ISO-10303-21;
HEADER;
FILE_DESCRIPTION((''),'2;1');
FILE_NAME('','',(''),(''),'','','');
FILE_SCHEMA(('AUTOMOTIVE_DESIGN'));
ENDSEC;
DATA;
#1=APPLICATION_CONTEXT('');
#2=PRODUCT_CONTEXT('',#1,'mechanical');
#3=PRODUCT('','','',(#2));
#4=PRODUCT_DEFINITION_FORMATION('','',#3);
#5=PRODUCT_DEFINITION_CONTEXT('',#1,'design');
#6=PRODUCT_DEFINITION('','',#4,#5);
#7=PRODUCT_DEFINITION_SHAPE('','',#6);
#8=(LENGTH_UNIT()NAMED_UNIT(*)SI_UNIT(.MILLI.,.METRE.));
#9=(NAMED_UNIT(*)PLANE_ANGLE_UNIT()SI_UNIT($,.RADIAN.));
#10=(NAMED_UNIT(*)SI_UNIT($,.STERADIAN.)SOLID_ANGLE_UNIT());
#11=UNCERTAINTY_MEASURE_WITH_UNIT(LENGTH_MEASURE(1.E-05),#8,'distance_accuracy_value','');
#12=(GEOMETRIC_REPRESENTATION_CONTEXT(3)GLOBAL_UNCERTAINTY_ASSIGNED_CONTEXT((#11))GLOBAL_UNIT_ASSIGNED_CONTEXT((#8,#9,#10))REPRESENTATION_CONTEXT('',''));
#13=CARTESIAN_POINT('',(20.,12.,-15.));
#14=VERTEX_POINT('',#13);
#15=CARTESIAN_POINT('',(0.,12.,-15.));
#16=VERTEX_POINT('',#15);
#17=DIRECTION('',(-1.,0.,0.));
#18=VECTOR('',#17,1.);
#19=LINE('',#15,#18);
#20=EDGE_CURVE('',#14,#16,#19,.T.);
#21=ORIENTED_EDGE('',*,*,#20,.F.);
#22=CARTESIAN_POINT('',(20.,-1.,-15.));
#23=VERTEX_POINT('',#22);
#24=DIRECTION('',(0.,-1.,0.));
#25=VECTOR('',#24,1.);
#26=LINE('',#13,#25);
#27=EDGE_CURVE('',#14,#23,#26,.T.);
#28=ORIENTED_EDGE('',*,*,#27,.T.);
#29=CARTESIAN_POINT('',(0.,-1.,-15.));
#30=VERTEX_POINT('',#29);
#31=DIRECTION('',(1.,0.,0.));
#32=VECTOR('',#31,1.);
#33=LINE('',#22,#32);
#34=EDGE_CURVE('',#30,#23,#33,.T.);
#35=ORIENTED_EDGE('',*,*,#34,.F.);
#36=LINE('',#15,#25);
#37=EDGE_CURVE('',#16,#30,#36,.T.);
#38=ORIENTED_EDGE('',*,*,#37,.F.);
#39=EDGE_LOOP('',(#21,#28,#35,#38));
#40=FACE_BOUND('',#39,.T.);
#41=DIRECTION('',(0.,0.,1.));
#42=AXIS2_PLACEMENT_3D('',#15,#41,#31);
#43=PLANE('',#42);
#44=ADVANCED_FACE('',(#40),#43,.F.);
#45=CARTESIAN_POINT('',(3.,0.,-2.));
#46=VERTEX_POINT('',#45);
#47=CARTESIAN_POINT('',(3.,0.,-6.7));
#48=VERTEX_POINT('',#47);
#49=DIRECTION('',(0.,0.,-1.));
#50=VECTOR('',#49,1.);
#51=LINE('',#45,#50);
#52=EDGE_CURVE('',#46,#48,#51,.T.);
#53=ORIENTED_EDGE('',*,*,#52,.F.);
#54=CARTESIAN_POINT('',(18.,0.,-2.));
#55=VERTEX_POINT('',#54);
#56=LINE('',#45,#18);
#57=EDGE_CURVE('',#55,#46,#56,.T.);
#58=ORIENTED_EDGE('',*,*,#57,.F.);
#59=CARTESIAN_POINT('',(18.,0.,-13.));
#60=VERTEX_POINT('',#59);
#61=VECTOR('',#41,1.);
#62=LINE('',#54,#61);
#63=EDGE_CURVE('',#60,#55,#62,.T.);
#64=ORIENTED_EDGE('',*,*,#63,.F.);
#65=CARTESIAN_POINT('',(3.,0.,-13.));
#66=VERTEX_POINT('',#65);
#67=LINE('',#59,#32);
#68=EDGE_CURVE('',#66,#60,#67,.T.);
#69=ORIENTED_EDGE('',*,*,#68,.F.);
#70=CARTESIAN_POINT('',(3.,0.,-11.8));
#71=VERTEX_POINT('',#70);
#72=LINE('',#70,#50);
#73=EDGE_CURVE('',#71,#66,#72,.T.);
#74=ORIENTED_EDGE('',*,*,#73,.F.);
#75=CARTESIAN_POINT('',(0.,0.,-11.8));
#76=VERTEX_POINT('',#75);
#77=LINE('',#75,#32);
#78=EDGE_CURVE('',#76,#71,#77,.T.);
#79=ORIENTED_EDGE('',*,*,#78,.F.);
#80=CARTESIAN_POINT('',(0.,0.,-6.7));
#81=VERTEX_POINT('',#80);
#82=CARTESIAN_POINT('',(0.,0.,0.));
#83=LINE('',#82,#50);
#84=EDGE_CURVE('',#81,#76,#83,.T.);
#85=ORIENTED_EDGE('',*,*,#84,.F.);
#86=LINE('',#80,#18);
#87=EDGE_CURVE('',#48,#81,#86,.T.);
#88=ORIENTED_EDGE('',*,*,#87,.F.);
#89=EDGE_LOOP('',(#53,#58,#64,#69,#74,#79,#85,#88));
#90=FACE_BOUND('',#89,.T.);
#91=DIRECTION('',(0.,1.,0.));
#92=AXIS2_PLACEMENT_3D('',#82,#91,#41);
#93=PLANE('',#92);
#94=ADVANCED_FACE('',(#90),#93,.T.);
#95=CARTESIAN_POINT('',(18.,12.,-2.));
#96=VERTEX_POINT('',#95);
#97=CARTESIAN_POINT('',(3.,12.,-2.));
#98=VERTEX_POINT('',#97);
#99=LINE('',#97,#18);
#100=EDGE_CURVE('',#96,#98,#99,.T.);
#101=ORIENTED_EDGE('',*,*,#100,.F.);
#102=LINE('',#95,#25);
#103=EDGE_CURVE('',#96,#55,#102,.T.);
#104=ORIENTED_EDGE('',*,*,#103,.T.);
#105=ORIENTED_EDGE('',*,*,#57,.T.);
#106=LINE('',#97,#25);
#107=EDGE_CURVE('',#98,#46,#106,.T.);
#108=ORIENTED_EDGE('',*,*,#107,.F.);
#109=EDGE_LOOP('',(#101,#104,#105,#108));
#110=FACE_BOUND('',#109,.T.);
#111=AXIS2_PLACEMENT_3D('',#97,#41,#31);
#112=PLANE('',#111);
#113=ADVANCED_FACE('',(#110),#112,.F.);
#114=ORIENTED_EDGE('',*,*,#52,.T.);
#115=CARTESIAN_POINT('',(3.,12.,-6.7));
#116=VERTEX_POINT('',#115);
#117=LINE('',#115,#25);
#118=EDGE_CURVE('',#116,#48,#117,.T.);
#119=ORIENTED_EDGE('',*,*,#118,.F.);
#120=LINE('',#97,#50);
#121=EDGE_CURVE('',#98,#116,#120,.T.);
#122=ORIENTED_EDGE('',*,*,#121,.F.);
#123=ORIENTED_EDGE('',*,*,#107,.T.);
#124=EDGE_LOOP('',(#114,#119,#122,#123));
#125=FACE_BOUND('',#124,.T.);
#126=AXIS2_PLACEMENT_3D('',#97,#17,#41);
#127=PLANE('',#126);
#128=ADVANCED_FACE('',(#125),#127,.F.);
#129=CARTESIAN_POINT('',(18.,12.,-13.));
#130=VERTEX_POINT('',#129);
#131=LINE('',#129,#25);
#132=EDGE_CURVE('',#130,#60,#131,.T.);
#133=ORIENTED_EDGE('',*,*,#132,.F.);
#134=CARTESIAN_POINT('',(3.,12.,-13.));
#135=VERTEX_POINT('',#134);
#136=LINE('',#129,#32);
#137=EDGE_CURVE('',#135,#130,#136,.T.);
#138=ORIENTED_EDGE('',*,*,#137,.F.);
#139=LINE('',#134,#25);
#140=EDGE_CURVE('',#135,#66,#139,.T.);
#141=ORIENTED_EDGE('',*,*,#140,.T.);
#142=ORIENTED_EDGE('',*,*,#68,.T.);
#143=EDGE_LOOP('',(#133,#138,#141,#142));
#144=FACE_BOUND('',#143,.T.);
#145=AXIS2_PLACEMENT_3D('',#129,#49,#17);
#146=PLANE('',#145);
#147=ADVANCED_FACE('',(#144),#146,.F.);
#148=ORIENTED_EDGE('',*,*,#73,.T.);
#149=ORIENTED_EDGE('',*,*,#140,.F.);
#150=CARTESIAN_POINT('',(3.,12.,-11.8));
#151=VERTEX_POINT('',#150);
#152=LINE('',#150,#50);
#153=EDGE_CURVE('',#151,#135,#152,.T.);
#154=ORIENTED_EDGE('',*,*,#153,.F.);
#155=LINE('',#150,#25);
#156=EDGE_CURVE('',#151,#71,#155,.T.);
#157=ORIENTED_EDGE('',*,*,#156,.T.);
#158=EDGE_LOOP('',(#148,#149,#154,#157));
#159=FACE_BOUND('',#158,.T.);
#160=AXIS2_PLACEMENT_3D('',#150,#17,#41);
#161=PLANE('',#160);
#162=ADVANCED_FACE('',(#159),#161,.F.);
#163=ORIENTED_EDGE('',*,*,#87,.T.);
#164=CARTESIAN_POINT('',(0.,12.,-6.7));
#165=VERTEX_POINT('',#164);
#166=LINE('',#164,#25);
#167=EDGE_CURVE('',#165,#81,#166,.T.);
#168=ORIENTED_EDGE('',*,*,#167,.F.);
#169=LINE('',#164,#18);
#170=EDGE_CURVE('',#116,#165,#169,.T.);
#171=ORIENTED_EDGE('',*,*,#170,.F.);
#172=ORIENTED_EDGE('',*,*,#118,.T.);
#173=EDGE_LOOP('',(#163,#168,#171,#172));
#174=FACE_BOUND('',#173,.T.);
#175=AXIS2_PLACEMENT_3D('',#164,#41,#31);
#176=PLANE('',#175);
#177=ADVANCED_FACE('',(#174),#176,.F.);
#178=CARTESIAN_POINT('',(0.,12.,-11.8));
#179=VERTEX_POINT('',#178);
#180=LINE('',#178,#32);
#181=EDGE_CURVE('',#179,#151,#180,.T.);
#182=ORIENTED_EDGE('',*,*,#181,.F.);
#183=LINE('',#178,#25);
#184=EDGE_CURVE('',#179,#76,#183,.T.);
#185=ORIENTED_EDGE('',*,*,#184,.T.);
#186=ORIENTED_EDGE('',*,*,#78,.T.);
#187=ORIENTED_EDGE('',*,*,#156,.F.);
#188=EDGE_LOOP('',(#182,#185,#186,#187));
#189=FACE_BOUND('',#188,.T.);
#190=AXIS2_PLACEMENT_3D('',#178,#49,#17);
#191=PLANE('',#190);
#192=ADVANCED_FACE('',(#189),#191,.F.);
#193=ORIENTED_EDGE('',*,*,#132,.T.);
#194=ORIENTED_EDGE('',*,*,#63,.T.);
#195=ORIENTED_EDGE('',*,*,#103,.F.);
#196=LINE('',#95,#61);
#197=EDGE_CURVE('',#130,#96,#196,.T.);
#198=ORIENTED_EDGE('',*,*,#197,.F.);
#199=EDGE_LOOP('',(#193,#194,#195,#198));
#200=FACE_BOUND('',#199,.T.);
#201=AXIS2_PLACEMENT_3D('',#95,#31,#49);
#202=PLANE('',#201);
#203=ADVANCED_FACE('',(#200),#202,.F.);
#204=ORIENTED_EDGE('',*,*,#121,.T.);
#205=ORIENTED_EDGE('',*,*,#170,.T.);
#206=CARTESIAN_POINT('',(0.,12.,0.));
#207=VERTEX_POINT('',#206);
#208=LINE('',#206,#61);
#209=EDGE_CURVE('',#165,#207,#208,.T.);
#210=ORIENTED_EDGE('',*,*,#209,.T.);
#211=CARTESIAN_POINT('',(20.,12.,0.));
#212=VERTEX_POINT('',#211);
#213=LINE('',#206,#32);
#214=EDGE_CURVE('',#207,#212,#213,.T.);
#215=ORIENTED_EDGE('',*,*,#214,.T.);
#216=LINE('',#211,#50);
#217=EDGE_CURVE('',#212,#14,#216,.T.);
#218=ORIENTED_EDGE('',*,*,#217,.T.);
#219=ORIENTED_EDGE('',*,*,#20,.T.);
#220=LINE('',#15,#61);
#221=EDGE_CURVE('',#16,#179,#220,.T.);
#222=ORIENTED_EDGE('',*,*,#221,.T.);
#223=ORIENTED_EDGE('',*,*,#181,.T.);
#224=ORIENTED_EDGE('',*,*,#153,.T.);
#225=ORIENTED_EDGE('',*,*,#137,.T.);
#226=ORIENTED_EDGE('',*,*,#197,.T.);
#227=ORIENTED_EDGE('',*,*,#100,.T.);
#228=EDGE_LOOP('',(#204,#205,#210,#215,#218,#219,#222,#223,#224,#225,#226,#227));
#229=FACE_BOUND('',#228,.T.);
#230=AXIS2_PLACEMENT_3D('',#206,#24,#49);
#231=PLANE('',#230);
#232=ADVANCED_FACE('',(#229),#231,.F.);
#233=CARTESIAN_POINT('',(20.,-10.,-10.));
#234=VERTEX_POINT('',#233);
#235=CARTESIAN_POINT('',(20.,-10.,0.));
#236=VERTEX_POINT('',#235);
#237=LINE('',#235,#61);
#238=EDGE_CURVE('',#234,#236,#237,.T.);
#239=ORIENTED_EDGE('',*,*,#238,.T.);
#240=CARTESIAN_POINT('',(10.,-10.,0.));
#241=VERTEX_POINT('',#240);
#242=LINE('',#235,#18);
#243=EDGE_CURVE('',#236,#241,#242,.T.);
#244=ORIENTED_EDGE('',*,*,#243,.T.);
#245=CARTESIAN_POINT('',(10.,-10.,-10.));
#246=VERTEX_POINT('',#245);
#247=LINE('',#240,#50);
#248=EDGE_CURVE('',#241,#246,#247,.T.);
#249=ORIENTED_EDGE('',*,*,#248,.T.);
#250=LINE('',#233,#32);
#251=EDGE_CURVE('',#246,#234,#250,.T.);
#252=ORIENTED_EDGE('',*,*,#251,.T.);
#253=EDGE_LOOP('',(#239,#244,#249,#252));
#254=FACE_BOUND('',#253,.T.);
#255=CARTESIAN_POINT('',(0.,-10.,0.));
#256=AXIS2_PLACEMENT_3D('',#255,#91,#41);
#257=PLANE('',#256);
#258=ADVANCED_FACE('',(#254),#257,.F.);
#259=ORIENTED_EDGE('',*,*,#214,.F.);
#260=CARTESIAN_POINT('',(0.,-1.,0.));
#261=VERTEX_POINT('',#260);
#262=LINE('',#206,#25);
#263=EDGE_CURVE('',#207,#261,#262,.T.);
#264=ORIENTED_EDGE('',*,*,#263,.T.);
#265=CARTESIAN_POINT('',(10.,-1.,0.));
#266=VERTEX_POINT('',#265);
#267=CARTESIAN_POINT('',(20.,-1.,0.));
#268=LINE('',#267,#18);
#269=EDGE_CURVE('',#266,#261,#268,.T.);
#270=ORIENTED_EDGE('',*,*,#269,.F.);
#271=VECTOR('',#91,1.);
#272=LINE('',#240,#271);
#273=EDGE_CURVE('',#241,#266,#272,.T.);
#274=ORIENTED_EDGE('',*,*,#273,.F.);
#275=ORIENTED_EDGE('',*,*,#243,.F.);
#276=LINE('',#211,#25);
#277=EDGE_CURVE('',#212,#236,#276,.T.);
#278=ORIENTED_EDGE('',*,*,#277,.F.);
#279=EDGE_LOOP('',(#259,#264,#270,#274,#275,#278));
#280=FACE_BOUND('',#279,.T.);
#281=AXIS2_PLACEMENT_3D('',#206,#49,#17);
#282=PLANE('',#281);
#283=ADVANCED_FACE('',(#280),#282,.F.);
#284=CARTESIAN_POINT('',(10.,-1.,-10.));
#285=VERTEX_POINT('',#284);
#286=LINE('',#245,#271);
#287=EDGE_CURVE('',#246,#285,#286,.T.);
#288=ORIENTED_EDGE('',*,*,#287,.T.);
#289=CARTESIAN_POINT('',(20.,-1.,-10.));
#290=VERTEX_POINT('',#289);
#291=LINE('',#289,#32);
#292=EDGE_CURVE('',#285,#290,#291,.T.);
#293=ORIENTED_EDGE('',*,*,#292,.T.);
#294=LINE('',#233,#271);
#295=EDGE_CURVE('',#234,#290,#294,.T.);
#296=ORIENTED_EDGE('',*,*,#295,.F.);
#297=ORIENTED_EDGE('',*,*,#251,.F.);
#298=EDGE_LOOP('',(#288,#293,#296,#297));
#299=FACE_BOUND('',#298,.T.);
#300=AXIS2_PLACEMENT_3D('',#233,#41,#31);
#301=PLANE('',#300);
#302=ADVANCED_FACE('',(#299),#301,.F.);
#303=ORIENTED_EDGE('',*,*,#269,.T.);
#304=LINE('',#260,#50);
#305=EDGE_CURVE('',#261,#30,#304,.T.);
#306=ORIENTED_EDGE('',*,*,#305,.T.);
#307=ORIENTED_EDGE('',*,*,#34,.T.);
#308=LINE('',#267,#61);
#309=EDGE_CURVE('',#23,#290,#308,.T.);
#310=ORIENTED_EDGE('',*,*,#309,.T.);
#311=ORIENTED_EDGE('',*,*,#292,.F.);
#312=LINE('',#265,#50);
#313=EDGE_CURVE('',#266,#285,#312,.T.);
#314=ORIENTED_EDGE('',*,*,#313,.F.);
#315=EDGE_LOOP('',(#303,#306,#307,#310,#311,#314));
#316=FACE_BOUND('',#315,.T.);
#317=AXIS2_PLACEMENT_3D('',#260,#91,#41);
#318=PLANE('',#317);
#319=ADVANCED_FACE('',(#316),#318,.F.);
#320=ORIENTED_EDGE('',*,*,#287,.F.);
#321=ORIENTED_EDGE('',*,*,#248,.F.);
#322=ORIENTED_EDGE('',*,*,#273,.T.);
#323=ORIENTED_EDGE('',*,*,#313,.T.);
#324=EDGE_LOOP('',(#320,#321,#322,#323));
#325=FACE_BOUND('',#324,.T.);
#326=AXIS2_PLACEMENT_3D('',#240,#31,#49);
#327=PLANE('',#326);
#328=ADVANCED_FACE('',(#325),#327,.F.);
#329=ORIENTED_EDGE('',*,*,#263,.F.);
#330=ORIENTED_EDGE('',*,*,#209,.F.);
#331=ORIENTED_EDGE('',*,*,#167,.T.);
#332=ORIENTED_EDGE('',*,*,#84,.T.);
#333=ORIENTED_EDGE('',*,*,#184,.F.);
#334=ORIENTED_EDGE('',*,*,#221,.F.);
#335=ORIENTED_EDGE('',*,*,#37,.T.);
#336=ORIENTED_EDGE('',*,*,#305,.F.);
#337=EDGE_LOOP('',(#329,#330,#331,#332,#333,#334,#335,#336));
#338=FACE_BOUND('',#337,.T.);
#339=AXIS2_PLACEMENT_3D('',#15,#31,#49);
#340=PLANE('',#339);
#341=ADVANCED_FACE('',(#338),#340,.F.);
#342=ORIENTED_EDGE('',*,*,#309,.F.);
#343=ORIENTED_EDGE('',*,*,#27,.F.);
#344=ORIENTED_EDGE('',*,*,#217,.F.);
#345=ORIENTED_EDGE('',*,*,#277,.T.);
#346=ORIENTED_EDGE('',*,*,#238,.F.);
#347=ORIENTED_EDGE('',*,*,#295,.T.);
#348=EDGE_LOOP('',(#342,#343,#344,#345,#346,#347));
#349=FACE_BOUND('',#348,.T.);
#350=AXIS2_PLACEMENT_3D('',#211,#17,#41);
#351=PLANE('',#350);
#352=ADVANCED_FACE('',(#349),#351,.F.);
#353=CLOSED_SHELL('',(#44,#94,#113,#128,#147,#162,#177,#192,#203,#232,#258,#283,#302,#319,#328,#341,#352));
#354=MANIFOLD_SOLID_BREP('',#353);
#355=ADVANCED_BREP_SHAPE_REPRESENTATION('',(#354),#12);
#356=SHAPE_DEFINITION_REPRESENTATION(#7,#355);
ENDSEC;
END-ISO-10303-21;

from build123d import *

# Parameters (mm, degrees)
BOSS_EXTRUDE1_DEPTH = 12
SKETCH3_W           = 20
SKETCH3_H           = 15
BOSS_EXTRUDE2_DEPTH = 1
SKETCH4_W           = 10
SKETCH4_H           = 10
BOSS_EXTRUDE3_DEPTH = 9


with BuildPart() as part:
    # Sketch1 → Boss-Extrude1 (new body)
    with BuildSketch(Plane(origin=(0, 0, 0), x_dir=(1, 0, 0), z_dir=(0, 1, 0))):
        Polygon((3, 2), (18, 2), (18, 13), (3, 13), (3, 11.8), (0, 11.8), (0, 15), (20, 15), (20, 0), (0, 0), (0, 6.7), (3, 6.7), align=None)
    extrude(amount=BOSS_EXTRUDE1_DEPTH)

    # Sketch3 → Boss-Extrude2 (add)
    with BuildSketch(Plane.XZ):
        with Locations((10, -7.5)):
            Rectangle(SKETCH3_W, SKETCH3_H)
    extrude(amount=BOSS_EXTRUDE2_DEPTH)

    # Sketch4 → Boss-Extrude3 (add)
    with BuildSketch(Plane.XZ.offset(1)):
        with Locations((15, -5)):
            Rectangle(SKETCH4_W, SKETCH4_H)
    extrude(amount=BOSS_EXTRUDE3_DEPTH)


solid = part.part
